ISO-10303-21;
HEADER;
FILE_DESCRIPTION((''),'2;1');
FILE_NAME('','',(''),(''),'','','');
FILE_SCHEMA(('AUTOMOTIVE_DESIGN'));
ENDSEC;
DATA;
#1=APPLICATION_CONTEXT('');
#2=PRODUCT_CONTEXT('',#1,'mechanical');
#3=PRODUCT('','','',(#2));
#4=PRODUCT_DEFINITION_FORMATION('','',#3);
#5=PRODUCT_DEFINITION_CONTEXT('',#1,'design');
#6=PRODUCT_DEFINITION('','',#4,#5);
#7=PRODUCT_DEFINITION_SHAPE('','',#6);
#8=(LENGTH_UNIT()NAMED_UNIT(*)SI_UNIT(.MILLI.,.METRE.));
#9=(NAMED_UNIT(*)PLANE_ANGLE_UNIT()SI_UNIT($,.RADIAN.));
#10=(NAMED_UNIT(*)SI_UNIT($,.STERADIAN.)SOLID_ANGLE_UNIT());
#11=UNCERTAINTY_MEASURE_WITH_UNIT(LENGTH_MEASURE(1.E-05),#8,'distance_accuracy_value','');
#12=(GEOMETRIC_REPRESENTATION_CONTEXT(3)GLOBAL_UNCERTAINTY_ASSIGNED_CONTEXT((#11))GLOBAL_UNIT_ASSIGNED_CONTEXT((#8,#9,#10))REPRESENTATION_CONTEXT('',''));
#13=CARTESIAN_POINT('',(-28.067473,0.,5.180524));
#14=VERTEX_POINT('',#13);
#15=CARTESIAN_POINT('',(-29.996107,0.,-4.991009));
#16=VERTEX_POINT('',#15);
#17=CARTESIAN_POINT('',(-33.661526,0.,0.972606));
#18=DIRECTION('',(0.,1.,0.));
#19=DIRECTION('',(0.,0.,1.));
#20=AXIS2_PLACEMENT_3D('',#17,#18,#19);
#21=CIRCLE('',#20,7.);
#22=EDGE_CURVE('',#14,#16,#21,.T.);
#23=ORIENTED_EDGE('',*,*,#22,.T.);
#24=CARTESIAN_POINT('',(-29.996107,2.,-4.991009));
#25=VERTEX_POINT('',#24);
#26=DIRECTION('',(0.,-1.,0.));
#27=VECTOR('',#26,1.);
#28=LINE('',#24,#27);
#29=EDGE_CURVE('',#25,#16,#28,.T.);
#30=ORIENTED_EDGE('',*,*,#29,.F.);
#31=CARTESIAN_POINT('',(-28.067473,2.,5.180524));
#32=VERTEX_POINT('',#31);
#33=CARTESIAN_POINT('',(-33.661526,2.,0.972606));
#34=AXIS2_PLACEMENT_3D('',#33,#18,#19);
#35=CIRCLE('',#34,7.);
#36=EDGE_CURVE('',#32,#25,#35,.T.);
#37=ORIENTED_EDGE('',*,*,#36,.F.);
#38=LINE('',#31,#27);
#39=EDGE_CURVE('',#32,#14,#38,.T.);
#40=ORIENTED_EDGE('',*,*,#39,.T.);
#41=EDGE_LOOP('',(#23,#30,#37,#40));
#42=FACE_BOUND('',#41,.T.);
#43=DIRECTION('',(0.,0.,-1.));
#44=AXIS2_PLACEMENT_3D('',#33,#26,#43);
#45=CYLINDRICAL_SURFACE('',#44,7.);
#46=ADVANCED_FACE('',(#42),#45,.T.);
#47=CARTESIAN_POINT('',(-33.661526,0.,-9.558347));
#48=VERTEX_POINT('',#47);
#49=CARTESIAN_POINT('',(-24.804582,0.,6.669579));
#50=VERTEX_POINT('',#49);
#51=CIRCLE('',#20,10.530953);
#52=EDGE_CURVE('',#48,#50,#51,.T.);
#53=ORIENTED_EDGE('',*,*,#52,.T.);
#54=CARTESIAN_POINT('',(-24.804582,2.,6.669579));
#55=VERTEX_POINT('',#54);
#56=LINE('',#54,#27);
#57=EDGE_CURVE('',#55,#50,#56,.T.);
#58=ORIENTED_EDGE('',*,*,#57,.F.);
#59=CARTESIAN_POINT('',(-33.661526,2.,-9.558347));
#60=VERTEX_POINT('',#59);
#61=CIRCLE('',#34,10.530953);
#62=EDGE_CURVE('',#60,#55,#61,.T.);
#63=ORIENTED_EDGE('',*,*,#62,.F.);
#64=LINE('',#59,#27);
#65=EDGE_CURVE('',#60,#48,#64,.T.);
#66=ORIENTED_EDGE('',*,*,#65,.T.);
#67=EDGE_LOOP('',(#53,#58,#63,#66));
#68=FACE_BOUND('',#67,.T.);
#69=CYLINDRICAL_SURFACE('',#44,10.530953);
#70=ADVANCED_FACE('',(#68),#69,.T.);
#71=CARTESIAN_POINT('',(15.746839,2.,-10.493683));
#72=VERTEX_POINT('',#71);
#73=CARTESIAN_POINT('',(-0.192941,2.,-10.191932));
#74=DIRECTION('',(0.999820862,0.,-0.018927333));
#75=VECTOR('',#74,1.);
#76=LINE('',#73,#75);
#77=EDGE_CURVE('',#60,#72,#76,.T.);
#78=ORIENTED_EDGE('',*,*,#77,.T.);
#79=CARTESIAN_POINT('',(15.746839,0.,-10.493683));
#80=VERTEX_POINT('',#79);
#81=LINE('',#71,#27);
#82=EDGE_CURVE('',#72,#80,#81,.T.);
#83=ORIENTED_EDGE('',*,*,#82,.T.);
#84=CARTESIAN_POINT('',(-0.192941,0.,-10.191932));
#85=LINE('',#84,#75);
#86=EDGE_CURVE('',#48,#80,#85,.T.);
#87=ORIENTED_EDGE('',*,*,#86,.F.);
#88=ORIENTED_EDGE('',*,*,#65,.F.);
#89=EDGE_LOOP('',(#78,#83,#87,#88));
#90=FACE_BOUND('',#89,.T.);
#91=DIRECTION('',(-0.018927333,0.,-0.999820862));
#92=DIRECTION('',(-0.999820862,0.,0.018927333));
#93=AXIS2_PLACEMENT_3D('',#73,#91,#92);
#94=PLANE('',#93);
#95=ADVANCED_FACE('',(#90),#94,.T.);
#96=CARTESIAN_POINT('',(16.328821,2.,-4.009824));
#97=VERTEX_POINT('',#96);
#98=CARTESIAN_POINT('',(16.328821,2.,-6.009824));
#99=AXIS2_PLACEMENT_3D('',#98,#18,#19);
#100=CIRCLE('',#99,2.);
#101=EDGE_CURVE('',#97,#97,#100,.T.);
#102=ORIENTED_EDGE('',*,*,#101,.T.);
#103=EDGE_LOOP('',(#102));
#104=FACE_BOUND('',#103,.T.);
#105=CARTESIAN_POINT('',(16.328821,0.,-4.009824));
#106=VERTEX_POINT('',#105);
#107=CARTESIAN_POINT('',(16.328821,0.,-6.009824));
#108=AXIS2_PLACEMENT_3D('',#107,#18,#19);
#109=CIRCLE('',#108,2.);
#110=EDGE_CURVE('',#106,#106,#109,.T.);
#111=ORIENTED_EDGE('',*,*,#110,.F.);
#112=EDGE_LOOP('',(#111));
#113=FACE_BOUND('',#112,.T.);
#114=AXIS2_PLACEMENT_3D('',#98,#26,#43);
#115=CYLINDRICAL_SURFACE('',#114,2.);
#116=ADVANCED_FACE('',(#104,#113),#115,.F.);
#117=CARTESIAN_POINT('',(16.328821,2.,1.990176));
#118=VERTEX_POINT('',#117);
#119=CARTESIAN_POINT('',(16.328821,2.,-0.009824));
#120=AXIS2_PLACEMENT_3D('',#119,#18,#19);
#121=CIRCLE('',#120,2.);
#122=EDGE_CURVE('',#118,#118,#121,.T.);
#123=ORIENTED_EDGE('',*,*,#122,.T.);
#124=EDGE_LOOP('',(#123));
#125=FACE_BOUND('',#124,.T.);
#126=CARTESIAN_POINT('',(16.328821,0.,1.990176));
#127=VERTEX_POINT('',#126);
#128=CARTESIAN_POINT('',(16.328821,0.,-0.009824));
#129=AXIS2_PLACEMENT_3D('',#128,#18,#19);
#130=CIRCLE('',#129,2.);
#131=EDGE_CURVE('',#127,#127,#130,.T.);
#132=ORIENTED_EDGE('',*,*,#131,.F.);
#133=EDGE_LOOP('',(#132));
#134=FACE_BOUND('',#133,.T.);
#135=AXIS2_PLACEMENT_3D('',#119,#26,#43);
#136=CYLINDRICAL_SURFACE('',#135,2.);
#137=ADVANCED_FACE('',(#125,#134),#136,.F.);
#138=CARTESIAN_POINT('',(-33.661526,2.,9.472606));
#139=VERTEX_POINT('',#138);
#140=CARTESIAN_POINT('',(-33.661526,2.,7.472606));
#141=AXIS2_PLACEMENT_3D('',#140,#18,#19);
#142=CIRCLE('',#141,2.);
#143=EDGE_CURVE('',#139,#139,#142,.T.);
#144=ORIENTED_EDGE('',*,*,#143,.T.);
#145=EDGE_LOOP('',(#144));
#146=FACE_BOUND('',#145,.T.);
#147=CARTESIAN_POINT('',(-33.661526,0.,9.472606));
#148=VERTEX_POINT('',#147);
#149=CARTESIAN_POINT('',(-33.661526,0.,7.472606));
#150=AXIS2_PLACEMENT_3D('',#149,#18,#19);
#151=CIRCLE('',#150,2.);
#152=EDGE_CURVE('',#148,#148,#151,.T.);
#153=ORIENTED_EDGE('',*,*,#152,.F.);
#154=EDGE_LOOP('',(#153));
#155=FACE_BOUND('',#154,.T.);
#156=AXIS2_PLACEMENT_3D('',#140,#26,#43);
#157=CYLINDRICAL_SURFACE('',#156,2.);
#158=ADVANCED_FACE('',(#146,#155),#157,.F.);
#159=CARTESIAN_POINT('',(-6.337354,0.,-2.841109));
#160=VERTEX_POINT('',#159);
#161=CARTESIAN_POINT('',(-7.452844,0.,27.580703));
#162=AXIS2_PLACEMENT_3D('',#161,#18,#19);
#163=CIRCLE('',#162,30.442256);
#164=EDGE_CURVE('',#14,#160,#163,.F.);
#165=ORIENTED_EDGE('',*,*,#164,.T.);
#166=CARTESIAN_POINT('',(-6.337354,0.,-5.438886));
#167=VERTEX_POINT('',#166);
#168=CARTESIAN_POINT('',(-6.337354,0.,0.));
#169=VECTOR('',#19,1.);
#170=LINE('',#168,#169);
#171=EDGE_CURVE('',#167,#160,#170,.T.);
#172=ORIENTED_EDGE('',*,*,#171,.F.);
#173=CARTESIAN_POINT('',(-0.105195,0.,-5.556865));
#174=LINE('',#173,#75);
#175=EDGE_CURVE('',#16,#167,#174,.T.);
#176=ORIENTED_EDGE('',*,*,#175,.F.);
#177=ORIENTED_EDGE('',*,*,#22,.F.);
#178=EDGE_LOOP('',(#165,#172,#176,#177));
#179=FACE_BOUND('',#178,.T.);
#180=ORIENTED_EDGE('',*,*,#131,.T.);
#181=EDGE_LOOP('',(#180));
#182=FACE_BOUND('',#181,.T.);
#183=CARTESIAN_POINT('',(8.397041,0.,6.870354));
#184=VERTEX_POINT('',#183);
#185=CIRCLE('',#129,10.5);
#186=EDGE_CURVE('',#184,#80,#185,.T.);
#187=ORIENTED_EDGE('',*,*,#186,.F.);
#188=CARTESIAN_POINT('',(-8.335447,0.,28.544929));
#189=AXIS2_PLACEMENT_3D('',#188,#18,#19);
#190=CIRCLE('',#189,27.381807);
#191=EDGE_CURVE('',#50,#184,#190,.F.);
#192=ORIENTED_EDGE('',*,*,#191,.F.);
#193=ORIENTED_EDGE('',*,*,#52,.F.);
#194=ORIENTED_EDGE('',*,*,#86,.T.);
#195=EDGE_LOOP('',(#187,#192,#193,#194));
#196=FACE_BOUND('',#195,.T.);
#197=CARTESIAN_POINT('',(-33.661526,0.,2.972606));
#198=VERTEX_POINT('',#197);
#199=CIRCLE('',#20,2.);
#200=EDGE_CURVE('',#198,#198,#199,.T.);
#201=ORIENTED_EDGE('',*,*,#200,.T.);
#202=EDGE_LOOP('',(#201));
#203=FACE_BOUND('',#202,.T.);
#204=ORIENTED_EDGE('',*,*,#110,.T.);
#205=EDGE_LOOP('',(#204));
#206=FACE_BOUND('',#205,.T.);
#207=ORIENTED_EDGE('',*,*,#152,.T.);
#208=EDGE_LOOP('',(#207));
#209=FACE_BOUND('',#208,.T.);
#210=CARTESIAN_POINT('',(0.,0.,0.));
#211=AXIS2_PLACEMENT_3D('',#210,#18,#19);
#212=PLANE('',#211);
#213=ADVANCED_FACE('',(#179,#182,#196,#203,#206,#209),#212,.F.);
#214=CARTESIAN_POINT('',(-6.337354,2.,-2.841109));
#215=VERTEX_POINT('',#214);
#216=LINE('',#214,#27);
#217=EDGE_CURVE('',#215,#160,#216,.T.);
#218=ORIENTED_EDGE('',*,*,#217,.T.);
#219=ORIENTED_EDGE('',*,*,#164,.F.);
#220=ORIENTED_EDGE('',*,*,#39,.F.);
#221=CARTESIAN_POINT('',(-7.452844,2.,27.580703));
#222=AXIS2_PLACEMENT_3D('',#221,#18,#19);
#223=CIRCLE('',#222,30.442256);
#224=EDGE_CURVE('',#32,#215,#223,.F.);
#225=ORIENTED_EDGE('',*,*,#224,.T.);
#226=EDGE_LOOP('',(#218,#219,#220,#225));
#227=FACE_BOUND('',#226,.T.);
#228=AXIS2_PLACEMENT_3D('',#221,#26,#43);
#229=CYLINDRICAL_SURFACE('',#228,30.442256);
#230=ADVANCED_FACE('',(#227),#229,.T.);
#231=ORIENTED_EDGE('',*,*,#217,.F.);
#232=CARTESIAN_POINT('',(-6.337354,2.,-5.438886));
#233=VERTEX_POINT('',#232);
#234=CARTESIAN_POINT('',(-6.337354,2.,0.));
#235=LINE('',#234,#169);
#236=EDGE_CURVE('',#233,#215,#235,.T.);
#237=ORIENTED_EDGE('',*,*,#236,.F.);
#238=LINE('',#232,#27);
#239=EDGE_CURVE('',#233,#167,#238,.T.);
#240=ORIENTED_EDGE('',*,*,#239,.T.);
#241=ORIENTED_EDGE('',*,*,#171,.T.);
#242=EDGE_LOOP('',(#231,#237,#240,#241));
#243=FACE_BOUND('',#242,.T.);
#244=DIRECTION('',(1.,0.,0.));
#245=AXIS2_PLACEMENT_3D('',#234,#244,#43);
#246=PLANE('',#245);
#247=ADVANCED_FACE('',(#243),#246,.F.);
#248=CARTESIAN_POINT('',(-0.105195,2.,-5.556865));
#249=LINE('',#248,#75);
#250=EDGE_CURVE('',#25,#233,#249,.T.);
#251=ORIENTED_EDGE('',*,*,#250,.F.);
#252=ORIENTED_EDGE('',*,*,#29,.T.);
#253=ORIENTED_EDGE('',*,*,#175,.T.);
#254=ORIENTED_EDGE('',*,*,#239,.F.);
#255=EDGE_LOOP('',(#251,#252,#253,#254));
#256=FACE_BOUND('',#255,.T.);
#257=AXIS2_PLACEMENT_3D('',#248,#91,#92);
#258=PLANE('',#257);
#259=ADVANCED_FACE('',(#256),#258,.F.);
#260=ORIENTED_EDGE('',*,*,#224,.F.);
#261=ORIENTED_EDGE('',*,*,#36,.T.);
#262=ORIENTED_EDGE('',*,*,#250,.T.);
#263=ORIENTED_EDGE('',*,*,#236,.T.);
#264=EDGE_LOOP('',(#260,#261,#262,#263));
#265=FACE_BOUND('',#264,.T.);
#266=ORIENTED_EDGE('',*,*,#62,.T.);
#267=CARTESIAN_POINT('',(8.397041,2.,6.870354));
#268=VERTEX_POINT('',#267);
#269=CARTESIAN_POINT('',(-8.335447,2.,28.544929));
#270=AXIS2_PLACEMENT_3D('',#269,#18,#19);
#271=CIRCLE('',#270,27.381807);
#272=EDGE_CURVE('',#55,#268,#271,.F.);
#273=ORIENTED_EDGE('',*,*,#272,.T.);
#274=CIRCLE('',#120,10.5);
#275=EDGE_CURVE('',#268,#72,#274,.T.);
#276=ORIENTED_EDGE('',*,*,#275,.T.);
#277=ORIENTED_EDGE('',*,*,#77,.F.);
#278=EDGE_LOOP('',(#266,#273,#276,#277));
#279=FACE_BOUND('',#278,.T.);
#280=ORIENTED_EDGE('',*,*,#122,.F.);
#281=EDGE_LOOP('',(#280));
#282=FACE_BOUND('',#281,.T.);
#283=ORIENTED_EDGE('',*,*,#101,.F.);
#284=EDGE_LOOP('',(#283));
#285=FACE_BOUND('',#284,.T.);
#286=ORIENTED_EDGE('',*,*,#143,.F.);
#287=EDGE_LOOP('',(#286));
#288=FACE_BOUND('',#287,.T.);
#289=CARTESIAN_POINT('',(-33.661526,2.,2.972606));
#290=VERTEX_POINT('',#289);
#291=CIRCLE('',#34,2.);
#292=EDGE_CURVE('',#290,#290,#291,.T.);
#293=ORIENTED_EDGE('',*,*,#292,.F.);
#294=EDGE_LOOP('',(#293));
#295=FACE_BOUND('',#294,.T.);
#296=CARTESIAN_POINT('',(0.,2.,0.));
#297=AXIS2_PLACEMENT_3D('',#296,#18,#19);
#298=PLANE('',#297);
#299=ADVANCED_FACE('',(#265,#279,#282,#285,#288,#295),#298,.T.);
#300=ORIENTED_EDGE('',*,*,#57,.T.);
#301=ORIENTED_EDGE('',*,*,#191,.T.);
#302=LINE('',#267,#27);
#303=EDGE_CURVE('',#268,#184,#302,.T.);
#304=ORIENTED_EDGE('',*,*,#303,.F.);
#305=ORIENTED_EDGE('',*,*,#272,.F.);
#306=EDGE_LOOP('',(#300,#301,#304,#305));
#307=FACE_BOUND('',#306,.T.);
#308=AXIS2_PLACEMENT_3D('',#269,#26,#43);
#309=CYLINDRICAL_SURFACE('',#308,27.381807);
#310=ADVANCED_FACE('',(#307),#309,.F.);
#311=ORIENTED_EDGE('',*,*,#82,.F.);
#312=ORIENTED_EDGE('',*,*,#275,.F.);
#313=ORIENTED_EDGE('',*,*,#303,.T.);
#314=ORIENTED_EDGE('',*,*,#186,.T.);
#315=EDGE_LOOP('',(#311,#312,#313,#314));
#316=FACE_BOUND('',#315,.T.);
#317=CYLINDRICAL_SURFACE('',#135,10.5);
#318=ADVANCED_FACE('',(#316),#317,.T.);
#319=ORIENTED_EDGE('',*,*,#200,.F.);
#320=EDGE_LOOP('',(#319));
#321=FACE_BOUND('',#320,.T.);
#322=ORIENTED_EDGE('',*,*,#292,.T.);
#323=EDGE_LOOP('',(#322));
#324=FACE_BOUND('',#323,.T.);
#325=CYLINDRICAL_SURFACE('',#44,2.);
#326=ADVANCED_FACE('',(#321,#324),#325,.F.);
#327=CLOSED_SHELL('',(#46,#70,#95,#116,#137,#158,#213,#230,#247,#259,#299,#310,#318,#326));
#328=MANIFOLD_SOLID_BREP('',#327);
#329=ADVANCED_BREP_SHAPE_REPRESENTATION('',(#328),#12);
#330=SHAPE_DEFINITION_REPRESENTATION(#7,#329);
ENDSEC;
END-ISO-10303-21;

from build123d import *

# Parameters (mm, degrees)
SKETCH1_R           = 2
BOSS_EXTRUDE5_DEPTH = 2


with BuildPart() as part:
    # Sketch1 → Boss-Extrude5 (new body)
    with BuildSketch(Plane(origin=(0, 0, 0), x_dir=(1, 0, 0), z_dir=(0, 1, 0))):
        with BuildLine():
            Line((-33.661525998, 9.558347037), (15.746838945, 10.493683155))
            ThreePointArc((15.746838945, 10.493683155), (25.998283023, -4.08303674), (8.397040734, -6.870354169))
            ThreePointArc((8.397040734, -6.870354169), (-8.169868029, -1.163623151), (-24.804581512, -6.669579217))
            ThreePointArc((-24.804581512, -6.669579217), (-42.905321973, -6.017722997), (-33.661525998, 9.558347037))
        make_face()
        with Locations(Location((-33.661525998, -0.972605925, 0), (0, 0, 270))):
            Circle(SKETCH1_R, mode=Mode.SUBTRACT)
        with Locations(Location((-33.661525998, -7.472605925, 0), (0, 0, 270))):
            Circle(SKETCH1_R, mode=Mode.SUBTRACT)
        with Locations(Location((16.328821379, 0.009824302, 0), (0, 0, 270))):
            Circle(SKETCH1_R, mode=Mode.SUBTRACT)
        with Locations(Location((16.328821379, 6.009824302, 0), (0, 0, 270))):
            Circle(SKETCH1_R, mode=Mode.SUBTRACT)
        with BuildLine():
            Line((-29.996106609, 4.99100881), (-6.337353933, 5.438886126))
            Line((-6.337353933, 5.438886126), (-6.337353933, 2.841108528))
            ThreePointArc((-6.337353933, 2.841108528), (-17.995175719, 0.977836677), (-28.067473468, -5.180524211))
            ThreePointArc((-28.067473468, -5.180524211), (-26.784064544, 0.331435467), (-29.996106609, 4.99100881))
        make_face(mode=Mode.SUBTRACT)
    extrude(amount=BOSS_EXTRUDE5_DEPTH)


solid = part.part
